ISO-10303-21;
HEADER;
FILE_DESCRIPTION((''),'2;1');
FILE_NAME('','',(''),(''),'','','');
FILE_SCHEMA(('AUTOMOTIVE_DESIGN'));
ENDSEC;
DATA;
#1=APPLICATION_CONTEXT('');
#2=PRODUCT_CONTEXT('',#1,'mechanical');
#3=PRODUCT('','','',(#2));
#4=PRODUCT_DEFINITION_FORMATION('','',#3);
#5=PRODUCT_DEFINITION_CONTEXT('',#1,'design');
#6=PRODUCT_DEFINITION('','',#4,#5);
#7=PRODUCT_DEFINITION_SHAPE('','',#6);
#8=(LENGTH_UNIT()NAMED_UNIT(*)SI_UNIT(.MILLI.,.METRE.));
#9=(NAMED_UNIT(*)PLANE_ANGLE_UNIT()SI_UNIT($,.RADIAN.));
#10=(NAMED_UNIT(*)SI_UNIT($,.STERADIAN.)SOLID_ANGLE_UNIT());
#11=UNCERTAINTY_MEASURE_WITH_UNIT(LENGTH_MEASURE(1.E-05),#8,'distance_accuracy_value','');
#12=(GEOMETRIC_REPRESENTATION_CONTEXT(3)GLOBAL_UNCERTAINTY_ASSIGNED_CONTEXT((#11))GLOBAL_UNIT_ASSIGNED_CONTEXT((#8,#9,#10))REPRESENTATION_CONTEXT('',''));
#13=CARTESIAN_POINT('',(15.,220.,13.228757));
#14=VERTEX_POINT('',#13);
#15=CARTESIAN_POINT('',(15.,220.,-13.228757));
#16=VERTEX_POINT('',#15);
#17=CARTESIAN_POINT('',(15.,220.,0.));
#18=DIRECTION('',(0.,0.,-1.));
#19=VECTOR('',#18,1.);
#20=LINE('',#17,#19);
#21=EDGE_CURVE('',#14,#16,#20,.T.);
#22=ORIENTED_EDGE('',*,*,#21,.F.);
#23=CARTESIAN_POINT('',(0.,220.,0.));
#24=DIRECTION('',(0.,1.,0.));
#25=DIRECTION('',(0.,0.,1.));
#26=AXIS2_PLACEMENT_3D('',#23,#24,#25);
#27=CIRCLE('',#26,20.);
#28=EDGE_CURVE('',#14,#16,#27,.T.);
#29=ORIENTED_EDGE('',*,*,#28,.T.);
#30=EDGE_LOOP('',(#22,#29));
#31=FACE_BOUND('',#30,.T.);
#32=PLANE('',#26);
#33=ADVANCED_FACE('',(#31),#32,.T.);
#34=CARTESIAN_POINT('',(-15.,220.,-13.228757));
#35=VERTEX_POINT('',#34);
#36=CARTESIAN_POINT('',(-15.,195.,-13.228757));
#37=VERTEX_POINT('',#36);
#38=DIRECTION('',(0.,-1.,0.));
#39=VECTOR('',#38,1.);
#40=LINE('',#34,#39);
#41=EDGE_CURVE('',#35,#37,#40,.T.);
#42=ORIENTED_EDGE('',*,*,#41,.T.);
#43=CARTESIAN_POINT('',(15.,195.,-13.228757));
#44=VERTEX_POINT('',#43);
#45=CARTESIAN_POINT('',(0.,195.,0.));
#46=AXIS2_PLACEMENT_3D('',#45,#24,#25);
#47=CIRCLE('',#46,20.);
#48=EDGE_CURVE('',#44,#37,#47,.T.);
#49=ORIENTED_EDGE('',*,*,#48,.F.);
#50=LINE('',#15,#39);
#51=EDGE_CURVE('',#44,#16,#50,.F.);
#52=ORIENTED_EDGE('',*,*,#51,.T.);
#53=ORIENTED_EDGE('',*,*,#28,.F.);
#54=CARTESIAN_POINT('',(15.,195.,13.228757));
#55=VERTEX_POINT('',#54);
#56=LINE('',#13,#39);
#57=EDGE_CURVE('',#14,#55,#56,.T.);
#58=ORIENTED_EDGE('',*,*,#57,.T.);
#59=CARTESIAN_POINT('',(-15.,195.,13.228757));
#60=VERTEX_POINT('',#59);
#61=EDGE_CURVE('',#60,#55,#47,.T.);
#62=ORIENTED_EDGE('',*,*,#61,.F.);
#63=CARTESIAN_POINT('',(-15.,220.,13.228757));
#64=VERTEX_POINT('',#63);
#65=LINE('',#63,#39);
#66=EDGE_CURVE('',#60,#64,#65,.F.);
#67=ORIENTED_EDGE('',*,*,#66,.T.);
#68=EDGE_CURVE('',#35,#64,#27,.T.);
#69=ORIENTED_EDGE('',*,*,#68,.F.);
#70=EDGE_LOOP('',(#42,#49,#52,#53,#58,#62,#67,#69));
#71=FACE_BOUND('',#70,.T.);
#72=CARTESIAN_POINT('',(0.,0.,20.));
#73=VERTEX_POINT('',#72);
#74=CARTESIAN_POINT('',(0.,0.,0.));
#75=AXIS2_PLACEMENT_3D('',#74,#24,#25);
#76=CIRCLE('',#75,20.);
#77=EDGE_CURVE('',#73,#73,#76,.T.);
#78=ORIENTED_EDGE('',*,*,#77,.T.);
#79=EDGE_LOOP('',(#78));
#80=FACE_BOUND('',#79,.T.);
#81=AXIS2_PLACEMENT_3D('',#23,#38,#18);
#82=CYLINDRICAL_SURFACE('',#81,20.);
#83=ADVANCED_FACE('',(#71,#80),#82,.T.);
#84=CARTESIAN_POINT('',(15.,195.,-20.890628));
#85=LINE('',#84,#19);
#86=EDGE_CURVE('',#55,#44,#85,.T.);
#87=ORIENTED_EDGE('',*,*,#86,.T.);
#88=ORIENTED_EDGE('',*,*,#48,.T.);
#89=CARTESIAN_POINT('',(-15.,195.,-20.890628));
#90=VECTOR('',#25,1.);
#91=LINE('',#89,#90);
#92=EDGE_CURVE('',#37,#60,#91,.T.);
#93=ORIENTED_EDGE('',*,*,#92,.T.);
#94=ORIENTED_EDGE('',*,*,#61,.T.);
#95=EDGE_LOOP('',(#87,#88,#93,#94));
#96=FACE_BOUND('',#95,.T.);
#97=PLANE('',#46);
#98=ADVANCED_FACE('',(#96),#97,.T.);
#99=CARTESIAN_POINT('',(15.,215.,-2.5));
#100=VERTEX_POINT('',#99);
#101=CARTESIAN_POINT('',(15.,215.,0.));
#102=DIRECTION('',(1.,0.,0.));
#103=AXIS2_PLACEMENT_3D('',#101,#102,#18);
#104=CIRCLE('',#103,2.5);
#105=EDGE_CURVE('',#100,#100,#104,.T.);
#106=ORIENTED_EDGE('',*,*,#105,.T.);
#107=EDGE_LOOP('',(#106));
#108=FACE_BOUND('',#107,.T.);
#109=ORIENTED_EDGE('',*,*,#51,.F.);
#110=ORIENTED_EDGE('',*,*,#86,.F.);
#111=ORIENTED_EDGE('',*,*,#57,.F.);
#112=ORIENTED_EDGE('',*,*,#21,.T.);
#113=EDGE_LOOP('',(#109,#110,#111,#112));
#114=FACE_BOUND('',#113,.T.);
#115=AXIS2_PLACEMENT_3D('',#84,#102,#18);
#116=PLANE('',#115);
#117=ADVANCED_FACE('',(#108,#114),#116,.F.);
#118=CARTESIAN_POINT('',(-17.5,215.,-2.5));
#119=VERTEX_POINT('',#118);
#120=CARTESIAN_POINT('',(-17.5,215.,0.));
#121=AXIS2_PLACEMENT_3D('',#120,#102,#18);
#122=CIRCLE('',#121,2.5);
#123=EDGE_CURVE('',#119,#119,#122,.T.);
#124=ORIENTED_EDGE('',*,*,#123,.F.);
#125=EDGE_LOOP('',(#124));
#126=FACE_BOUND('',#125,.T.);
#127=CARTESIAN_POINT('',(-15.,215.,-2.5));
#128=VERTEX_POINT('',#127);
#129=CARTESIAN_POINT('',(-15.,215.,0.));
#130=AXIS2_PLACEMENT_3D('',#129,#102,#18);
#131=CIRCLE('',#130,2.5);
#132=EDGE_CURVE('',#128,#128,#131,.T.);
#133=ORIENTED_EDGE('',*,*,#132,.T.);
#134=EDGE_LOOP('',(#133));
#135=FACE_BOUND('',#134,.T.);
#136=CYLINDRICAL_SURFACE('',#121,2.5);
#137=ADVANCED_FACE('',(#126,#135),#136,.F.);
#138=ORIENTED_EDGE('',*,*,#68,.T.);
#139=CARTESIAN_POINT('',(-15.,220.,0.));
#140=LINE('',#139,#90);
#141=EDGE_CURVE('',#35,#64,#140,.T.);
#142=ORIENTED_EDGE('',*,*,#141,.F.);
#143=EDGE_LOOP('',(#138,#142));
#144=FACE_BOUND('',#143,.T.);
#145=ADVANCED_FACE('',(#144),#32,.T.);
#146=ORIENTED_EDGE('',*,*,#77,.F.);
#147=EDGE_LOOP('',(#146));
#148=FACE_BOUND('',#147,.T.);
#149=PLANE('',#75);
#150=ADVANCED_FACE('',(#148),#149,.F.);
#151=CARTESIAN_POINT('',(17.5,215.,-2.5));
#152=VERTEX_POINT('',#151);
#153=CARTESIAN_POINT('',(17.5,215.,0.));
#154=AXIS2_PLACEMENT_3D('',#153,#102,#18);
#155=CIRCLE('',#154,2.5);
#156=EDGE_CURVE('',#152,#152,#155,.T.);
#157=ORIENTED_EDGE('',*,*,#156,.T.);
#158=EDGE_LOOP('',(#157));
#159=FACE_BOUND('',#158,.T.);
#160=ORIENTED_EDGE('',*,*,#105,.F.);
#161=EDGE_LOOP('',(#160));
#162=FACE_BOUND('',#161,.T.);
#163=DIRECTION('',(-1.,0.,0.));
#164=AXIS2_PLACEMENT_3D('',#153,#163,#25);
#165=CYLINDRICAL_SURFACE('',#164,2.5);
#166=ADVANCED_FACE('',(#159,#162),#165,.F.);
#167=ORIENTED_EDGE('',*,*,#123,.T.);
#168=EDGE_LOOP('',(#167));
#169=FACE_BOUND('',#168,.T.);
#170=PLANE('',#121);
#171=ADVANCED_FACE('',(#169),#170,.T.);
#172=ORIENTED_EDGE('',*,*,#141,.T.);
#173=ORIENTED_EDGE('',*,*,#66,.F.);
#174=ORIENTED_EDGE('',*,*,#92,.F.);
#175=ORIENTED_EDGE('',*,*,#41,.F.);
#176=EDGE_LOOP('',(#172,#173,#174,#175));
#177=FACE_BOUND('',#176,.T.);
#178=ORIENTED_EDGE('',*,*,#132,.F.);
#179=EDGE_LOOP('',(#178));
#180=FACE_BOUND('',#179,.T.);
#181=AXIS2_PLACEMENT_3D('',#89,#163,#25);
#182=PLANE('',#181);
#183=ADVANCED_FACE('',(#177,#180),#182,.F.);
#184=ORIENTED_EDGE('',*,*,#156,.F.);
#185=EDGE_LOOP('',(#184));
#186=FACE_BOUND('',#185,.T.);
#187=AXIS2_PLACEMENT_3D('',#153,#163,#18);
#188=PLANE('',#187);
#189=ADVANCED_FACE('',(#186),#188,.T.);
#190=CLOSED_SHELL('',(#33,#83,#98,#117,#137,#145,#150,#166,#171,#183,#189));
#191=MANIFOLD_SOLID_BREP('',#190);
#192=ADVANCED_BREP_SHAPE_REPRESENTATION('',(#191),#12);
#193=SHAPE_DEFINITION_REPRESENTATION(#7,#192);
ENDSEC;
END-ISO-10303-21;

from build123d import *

# Parameters (mm, degrees)
SKETCH2_R           = 20
BOSS_EXTRUDE1_DEPTH = 220
SKETCH3_W           = 30
SKETCH3_H           = 41.781255482
CUT_EXTRUDE1_DEPTH  = 25
SKETCH4_R           = 2.5
CUT_EXTRUDE2_DEPTH  = 2.5


with BuildPart() as part:
    # Sketch2 → Boss-Extrude1 (new body)
    with BuildSketch(Plane(origin=(0, 0, 0), x_dir=(1, 0, 0), z_dir=(0, 1, 0))):
        Circle(SKETCH2_R)
    extrude(amount=BOSS_EXTRUDE1_DEPTH)

    # Sketch3 → Cut-Extrude1 (cut)
    with BuildSketch(Plane(origin=(0, 220, 0), x_dir=(1, 0, 0), z_dir=(0, 1, 0))):
        Rectangle(SKETCH3_W, SKETCH3_H)
    extrude(amount=-CUT_EXTRUDE1_DEPTH, mode=Mode.SUBTRACT)

    # Sketch4 → Cut-Extrude2 (cut)
    with BuildSketch(Plane(origin=(-15, 0, 0), x_dir=(0, 0, -1), z_dir=(1, 0, 0))):
        with Locations((0, 215)):
            Circle(SKETCH4_R)
    cut_extrude2 = extrude(amount=-CUT_EXTRUDE2_DEPTH, mode=Mode.SUBTRACT)

    # Mirror1: Cut-Extrude2 across plane
    add(cut_extrude2.mirror(Plane(origin=(0, 0, 0), x_dir=(0, 0, 1), z_dir=(1, 0, 0))), mode=Mode.SUBTRACT)


solid = part.part
